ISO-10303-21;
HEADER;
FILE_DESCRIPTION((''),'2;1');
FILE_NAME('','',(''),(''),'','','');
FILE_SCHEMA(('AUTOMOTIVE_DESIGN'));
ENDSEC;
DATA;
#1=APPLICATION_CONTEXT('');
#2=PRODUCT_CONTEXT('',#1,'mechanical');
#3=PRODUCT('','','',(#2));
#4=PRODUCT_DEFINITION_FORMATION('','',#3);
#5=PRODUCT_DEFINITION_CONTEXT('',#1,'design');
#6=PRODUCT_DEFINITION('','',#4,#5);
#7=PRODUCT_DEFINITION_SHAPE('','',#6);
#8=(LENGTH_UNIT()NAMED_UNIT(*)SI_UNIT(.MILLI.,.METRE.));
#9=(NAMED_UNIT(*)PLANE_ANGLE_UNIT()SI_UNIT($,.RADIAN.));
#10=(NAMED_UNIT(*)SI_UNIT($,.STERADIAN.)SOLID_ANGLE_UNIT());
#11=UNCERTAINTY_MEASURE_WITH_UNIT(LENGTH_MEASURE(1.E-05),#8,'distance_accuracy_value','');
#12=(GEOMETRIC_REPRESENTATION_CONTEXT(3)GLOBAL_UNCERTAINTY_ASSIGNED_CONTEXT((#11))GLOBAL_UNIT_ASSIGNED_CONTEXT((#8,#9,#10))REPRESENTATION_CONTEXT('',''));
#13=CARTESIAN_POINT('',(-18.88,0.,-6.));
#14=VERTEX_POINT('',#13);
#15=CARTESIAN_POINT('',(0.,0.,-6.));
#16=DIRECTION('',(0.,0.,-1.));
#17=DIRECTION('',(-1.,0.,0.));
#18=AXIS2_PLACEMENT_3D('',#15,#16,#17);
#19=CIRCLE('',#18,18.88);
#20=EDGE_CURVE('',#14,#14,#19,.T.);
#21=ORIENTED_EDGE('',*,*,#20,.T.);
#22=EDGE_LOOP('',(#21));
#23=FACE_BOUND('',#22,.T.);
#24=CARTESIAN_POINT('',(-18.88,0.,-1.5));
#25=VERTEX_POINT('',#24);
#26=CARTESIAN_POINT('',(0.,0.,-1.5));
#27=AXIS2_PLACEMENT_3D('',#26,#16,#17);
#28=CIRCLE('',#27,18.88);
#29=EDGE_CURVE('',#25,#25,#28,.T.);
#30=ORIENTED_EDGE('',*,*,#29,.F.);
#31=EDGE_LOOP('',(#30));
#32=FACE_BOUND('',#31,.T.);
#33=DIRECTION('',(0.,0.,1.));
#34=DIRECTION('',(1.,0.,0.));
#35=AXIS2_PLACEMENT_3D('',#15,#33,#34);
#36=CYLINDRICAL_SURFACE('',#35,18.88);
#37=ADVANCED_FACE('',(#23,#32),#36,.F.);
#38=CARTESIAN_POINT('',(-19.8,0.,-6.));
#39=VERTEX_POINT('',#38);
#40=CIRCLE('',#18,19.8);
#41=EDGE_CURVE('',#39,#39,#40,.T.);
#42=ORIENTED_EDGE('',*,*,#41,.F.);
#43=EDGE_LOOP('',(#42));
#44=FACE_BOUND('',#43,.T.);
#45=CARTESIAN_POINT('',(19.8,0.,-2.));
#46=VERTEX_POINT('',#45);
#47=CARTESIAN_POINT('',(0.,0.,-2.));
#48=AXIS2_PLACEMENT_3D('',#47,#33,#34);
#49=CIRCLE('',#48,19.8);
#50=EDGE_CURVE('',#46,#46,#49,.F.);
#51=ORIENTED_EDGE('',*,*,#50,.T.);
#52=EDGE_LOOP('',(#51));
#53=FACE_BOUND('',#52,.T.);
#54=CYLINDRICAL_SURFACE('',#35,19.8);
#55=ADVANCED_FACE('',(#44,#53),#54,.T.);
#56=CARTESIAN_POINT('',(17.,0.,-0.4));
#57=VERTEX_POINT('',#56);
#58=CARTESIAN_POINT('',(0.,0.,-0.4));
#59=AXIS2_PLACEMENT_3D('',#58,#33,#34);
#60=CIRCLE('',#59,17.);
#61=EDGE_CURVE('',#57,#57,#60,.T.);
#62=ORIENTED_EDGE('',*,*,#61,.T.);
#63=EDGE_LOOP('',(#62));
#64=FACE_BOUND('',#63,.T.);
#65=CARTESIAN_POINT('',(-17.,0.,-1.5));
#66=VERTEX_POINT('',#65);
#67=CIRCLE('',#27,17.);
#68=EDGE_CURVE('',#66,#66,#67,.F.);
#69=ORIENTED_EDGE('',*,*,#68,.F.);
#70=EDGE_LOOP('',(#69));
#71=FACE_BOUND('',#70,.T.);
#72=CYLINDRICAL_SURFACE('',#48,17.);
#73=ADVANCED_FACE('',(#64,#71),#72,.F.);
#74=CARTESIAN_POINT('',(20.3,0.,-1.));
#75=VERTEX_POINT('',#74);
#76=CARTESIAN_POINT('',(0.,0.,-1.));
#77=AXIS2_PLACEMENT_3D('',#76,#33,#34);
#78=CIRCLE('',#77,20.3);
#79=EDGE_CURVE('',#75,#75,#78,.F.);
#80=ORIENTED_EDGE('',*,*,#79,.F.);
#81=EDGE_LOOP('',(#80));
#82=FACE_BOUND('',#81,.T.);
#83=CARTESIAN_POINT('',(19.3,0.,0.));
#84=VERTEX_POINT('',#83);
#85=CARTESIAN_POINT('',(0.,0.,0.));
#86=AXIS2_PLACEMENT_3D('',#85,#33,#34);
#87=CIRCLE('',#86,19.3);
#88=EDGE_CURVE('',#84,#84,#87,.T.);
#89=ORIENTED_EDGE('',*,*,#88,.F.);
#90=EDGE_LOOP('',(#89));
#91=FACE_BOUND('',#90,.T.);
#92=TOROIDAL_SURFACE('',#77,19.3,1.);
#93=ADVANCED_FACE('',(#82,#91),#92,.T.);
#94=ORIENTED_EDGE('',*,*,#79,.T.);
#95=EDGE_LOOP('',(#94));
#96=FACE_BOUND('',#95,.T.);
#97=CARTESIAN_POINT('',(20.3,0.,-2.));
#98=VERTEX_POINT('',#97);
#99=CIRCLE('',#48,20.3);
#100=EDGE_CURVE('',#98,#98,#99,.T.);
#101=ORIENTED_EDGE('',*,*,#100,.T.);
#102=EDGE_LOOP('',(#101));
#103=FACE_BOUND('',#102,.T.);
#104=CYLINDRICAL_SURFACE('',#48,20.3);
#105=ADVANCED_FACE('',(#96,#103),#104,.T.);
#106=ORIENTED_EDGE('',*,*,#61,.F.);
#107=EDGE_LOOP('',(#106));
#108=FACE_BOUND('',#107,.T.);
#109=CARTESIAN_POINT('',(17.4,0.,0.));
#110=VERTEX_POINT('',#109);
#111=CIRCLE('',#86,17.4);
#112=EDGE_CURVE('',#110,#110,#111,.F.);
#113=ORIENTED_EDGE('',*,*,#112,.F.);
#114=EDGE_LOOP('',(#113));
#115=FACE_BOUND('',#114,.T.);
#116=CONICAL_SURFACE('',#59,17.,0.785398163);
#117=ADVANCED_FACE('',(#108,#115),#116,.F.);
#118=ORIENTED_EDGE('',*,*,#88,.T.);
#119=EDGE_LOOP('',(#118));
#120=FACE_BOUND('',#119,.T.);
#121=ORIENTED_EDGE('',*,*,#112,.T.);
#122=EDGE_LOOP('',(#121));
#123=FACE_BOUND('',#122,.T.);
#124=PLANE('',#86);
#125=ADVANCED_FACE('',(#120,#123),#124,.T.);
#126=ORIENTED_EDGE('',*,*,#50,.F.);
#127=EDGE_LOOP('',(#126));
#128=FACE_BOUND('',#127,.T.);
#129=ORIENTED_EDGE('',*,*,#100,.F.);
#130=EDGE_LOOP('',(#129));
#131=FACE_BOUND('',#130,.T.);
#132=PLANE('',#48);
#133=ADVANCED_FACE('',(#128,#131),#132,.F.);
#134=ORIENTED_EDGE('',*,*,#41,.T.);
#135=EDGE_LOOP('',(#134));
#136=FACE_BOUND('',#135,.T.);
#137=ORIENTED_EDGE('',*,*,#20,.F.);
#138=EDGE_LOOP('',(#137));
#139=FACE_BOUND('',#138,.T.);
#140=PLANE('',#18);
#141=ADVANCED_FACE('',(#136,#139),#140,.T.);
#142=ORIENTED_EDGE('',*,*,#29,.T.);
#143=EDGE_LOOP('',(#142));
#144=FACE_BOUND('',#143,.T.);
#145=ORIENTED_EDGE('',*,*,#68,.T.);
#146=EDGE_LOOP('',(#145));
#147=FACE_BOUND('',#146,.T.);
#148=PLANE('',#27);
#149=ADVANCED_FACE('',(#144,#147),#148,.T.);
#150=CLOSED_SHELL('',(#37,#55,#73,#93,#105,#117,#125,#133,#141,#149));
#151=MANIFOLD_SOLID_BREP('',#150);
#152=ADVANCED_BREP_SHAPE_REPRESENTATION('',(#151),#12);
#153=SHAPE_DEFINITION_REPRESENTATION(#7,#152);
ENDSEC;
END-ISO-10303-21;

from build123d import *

# Parameters (mm, degrees)
SKETCH1_R           = 20.3
SKETCH1_R_2         = 17
BOSS_EXTRUDE1_DEPTH = 2
SKETCH2_R           = 19.8
SKETCH2_R_2         = 18.88
BOSS_EXTRUDE2_DEPTH = 4
CHAMFER2_SIZE       = 0.4
CUT_EXTRUDE1_START  = -0.5
SKETCH3_R           = 18.88
CUT_EXTRUDE1_DEPTH  = 0.5
FILLET1_R           = 1


with BuildPart() as part:
    # Sketch1 → Boss-Extrude1 (new body)
    with BuildSketch(Plane.XY):
        Circle(SKETCH1_R)
        Circle(SKETCH1_R_2, mode=Mode.SUBTRACT)
    extrude(amount=-BOSS_EXTRUDE1_DEPTH)

    # Sketch2 → Boss-Extrude2 (add)
    with BuildSketch(Plane(origin=(0, 0, -2), x_dir=(-1, 0, 0), z_dir=(0, 0, -1))):
        with Locations(Location((0, 0, 0), (0, 0, 180))):
            Circle(SKETCH2_R)
        Circle(SKETCH2_R_2, mode=Mode.SUBTRACT)
    extrude(amount=BOSS_EXTRUDE2_DEPTH)

    # Chamfer2
    chamfer2_edges = [part.edges().sort_by_distance(p)[0] for p in [
        (-17, 0, 0),
    ]]
    chamfer(chamfer2_edges, length=CHAMFER2_SIZE)

    # Sketch3 → Cut-Extrude1 (cut)
    with BuildSketch(Plane(origin=(0, 0, -2), x_dir=(-1, 0, 0), z_dir=(0, 0, -1)).offset(CUT_EXTRUDE1_START)):
        Circle(SKETCH3_R)
    extrude(amount=CUT_EXTRUDE1_DEPTH, mode=Mode.SUBTRACT)

    # Fillet1
    fillet1_edges = [part.edges().sort_by_distance(p)[0] for p in [
        (-20.3, 0, 0),
    ]]
    fillet(fillet1_edges, radius=FILLET1_R)


solid = part.part
